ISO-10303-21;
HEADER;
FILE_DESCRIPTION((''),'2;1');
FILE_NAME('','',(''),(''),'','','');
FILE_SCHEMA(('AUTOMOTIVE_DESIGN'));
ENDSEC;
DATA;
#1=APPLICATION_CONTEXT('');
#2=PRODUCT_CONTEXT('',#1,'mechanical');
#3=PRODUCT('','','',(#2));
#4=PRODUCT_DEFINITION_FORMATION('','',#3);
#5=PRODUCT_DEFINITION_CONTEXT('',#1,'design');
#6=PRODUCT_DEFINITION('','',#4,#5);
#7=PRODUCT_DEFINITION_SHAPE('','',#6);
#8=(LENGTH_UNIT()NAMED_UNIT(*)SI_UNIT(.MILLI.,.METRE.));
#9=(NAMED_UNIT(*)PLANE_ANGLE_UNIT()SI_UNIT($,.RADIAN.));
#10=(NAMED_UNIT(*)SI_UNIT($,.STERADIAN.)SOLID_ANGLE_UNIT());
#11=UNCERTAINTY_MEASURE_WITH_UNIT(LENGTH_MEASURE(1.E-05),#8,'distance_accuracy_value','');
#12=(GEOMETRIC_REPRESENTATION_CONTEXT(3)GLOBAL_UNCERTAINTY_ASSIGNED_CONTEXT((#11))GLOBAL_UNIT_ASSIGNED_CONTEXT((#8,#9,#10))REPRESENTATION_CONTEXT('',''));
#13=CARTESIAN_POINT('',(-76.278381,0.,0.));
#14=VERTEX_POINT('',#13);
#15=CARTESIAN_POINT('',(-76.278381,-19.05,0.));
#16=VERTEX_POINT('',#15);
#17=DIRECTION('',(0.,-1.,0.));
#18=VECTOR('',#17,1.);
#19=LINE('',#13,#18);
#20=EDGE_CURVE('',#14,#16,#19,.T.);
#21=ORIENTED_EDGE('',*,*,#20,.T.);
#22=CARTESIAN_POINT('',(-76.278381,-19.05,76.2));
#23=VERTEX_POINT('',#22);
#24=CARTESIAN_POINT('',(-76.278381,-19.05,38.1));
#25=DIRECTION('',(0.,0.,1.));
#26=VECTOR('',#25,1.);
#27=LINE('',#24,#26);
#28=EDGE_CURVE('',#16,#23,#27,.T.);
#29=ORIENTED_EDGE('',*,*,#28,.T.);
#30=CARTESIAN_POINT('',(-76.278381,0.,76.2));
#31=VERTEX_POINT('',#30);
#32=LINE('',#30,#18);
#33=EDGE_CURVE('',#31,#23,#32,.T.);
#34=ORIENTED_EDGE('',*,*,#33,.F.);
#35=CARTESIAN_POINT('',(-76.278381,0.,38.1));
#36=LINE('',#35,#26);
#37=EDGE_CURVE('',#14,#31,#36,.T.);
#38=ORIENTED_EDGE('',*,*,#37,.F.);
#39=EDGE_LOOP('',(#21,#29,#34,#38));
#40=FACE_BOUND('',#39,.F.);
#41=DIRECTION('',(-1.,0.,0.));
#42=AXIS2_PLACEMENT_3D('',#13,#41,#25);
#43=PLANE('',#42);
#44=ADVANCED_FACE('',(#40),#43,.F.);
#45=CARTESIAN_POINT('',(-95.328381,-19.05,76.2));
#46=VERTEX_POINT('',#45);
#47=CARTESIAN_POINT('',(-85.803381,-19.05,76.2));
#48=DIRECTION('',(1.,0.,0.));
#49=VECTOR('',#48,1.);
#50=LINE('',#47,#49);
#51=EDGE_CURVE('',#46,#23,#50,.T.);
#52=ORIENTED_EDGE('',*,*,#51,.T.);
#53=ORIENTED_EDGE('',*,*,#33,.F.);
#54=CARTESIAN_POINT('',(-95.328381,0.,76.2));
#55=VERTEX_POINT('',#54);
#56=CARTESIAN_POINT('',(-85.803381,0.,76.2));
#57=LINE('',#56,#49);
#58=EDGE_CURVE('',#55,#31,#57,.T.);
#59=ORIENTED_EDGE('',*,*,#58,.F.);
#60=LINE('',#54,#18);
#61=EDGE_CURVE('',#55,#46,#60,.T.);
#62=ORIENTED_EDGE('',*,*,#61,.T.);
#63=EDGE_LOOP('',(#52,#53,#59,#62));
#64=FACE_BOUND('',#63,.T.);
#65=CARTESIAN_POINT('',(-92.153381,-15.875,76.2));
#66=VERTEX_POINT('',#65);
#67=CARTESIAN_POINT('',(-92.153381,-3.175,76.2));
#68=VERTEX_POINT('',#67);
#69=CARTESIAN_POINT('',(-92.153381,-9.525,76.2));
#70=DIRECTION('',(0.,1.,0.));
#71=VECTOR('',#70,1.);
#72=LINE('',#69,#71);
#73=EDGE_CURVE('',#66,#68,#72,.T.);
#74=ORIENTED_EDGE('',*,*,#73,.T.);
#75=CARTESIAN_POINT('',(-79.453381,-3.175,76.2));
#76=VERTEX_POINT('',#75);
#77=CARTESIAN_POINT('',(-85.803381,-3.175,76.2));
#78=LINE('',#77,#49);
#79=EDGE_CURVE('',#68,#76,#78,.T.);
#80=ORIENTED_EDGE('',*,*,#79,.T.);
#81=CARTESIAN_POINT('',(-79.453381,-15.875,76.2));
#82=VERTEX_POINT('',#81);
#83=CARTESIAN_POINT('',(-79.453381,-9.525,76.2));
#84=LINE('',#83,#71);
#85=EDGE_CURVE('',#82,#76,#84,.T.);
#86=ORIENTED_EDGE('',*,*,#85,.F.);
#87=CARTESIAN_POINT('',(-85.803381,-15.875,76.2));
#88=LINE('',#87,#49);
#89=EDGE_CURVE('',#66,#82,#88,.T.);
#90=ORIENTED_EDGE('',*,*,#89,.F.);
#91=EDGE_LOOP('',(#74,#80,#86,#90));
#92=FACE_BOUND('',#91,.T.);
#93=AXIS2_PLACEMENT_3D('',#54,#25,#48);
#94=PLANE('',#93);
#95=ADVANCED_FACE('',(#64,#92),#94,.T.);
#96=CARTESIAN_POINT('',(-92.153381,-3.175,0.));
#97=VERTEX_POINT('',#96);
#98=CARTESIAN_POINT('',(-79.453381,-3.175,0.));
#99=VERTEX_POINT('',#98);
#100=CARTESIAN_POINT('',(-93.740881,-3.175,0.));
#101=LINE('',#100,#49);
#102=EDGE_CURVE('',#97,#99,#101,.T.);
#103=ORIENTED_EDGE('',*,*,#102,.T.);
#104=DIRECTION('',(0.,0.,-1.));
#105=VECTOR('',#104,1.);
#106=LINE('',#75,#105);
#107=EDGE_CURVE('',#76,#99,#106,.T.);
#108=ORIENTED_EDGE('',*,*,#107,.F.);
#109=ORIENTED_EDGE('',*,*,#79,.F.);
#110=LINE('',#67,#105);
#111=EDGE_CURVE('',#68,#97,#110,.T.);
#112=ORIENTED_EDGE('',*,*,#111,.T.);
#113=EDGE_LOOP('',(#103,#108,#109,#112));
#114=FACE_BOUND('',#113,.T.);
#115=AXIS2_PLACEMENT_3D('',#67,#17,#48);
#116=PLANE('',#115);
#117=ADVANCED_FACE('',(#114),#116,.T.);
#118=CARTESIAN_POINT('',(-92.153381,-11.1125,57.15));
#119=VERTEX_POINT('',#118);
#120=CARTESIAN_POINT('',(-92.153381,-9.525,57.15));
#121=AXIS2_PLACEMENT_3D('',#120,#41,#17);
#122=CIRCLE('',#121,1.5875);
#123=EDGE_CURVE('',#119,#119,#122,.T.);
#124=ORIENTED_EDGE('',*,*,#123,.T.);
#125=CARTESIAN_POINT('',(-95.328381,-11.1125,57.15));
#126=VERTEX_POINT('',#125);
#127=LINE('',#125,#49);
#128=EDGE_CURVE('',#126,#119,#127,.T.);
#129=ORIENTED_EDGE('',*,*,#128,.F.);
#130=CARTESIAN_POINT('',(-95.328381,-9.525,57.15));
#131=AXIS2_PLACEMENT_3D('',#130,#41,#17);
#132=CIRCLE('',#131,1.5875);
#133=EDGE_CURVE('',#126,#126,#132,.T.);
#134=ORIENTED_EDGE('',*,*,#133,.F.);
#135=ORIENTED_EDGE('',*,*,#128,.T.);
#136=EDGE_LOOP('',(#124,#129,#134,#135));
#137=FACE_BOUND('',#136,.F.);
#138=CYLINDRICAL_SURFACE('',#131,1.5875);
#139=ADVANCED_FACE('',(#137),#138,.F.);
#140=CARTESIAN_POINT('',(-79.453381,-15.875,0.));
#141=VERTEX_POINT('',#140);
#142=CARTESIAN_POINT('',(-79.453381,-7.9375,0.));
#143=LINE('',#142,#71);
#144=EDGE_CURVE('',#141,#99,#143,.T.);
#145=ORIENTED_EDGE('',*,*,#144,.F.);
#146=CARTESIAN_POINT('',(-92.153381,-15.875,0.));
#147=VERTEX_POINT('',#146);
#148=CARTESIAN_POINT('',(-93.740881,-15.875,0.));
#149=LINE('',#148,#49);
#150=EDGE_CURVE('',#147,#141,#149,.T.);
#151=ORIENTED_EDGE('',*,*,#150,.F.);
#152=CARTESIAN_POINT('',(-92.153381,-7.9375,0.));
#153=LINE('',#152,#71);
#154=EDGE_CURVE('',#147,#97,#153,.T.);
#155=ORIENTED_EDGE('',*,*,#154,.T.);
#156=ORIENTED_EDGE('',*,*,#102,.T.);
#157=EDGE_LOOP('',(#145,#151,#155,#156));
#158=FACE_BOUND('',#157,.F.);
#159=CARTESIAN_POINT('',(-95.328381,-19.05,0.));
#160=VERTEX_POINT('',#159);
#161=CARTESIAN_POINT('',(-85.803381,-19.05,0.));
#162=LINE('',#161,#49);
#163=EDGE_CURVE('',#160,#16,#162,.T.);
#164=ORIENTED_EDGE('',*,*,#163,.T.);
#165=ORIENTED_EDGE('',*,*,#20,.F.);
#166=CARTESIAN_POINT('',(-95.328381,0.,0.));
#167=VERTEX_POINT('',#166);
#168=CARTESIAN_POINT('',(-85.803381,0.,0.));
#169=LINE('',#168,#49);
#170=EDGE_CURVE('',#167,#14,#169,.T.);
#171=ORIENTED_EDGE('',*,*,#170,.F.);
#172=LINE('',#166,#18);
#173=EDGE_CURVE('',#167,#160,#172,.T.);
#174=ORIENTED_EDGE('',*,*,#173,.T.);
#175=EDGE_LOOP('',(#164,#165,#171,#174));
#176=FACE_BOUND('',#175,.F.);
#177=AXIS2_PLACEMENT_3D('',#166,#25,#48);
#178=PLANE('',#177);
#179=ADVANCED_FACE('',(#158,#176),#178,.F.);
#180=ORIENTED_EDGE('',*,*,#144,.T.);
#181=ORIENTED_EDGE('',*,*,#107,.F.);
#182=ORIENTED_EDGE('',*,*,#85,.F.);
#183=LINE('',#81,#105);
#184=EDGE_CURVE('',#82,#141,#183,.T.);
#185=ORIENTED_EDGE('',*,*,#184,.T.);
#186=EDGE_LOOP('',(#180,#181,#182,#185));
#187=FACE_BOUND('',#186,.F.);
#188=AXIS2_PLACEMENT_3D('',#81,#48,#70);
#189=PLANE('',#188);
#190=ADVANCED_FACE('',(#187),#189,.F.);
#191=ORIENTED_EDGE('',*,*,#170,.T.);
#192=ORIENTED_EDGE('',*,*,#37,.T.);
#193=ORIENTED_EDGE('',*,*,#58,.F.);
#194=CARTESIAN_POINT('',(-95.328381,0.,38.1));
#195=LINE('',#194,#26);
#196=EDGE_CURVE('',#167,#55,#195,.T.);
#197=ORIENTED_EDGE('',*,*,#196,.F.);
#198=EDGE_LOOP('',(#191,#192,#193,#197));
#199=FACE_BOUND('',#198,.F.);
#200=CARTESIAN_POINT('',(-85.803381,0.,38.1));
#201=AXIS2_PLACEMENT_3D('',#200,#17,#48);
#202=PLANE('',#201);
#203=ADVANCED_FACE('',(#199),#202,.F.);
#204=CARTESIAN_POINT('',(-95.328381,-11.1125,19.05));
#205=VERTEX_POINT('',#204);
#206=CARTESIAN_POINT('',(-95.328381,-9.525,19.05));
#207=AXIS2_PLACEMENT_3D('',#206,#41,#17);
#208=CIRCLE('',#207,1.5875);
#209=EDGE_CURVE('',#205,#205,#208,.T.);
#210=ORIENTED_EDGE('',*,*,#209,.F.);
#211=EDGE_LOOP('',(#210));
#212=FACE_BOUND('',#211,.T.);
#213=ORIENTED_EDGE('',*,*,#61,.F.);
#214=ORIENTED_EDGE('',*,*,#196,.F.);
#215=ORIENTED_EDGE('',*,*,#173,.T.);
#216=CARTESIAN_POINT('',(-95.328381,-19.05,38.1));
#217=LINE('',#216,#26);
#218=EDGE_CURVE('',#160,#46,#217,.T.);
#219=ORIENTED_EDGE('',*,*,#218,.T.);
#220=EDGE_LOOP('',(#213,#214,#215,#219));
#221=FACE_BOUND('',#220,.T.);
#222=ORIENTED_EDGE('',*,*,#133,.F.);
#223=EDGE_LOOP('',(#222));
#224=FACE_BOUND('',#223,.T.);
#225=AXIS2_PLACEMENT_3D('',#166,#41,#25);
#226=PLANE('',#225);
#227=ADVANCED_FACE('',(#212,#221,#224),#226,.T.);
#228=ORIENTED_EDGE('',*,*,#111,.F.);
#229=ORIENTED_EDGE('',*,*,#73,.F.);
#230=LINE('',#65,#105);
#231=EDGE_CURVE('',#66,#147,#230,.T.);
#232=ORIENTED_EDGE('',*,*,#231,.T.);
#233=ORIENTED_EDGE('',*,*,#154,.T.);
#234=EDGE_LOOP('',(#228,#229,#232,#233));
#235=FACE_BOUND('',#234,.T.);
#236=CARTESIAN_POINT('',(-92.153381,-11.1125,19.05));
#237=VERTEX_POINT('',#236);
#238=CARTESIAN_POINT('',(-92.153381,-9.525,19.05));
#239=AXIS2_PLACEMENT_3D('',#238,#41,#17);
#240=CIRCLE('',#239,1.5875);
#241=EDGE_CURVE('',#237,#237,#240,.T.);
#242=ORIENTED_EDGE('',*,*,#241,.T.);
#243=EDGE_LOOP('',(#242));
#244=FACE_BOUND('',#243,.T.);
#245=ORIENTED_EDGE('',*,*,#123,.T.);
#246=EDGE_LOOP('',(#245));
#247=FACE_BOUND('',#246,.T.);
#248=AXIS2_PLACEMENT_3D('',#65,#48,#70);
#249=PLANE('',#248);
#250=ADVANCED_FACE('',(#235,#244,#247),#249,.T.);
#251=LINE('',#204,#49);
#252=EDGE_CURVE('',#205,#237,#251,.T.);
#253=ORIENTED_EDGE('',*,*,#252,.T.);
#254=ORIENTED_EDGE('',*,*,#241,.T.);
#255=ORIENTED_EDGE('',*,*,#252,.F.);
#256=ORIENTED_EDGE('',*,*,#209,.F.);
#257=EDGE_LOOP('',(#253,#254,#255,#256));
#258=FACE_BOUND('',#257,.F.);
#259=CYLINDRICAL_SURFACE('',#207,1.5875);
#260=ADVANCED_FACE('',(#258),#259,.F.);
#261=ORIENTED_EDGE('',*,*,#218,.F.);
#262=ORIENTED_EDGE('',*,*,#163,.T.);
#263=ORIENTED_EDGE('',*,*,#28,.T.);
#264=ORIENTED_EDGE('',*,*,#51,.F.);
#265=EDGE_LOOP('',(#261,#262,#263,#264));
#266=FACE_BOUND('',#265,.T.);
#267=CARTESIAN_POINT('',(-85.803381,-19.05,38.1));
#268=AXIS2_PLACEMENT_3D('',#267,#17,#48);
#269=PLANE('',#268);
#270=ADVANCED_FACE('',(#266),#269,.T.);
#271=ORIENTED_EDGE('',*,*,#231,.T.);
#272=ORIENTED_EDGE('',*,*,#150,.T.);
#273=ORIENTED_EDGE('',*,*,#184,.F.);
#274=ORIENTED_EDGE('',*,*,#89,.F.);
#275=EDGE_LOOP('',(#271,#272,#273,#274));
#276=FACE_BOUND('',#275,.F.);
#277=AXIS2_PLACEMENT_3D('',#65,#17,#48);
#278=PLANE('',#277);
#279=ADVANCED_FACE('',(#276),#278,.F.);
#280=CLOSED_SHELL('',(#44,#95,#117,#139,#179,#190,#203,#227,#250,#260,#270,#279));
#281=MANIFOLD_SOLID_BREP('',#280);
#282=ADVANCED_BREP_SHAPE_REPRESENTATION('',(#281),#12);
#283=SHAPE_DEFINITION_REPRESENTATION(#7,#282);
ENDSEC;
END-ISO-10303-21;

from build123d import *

# Parameters (mm, degrees)
F0_W     = 19.05
F0_H     = 76.2
F1_DEPTH = 19.05
F2_W     = 12.7
F2_H     = 12.7
F3_DEPTH = 76.201
F4_R     = 1.5875
F5_DEPTH = 3.175


with BuildPart() as f1:
    # F0 (on Front) → F1 (new body)
    with BuildSketch(Plane.XZ):
        with Locations((-85.803381, 38.1)):
            Rectangle(F0_W, F0_H)
    extrude(amount=F1_DEPTH)

    # F2 (on face) → F3 (cut, through all)
    with BuildSketch(Plane.XY.offset(76.2)):
        with Locations((-85.803381, -9.525)):
            Rectangle(F2_W, F2_H)
    extrude(amount=-F3_DEPTH, mode=Mode.SUBTRACT)

    # F4 (on face) → F5 (cut)
    with BuildSketch(Plane(origin=(-95.328381, 0, 0), x_dir=(0, -1, 0), z_dir=(-1, 0, 0))):
        with Locations((9.525, 57.15)):
            Circle(F4_R)
        with Locations((9.525, 19.05)):
            Circle(F4_R)
    extrude(amount=-F5_DEPTH, mode=Mode.SUBTRACT)


solid = f1.part
